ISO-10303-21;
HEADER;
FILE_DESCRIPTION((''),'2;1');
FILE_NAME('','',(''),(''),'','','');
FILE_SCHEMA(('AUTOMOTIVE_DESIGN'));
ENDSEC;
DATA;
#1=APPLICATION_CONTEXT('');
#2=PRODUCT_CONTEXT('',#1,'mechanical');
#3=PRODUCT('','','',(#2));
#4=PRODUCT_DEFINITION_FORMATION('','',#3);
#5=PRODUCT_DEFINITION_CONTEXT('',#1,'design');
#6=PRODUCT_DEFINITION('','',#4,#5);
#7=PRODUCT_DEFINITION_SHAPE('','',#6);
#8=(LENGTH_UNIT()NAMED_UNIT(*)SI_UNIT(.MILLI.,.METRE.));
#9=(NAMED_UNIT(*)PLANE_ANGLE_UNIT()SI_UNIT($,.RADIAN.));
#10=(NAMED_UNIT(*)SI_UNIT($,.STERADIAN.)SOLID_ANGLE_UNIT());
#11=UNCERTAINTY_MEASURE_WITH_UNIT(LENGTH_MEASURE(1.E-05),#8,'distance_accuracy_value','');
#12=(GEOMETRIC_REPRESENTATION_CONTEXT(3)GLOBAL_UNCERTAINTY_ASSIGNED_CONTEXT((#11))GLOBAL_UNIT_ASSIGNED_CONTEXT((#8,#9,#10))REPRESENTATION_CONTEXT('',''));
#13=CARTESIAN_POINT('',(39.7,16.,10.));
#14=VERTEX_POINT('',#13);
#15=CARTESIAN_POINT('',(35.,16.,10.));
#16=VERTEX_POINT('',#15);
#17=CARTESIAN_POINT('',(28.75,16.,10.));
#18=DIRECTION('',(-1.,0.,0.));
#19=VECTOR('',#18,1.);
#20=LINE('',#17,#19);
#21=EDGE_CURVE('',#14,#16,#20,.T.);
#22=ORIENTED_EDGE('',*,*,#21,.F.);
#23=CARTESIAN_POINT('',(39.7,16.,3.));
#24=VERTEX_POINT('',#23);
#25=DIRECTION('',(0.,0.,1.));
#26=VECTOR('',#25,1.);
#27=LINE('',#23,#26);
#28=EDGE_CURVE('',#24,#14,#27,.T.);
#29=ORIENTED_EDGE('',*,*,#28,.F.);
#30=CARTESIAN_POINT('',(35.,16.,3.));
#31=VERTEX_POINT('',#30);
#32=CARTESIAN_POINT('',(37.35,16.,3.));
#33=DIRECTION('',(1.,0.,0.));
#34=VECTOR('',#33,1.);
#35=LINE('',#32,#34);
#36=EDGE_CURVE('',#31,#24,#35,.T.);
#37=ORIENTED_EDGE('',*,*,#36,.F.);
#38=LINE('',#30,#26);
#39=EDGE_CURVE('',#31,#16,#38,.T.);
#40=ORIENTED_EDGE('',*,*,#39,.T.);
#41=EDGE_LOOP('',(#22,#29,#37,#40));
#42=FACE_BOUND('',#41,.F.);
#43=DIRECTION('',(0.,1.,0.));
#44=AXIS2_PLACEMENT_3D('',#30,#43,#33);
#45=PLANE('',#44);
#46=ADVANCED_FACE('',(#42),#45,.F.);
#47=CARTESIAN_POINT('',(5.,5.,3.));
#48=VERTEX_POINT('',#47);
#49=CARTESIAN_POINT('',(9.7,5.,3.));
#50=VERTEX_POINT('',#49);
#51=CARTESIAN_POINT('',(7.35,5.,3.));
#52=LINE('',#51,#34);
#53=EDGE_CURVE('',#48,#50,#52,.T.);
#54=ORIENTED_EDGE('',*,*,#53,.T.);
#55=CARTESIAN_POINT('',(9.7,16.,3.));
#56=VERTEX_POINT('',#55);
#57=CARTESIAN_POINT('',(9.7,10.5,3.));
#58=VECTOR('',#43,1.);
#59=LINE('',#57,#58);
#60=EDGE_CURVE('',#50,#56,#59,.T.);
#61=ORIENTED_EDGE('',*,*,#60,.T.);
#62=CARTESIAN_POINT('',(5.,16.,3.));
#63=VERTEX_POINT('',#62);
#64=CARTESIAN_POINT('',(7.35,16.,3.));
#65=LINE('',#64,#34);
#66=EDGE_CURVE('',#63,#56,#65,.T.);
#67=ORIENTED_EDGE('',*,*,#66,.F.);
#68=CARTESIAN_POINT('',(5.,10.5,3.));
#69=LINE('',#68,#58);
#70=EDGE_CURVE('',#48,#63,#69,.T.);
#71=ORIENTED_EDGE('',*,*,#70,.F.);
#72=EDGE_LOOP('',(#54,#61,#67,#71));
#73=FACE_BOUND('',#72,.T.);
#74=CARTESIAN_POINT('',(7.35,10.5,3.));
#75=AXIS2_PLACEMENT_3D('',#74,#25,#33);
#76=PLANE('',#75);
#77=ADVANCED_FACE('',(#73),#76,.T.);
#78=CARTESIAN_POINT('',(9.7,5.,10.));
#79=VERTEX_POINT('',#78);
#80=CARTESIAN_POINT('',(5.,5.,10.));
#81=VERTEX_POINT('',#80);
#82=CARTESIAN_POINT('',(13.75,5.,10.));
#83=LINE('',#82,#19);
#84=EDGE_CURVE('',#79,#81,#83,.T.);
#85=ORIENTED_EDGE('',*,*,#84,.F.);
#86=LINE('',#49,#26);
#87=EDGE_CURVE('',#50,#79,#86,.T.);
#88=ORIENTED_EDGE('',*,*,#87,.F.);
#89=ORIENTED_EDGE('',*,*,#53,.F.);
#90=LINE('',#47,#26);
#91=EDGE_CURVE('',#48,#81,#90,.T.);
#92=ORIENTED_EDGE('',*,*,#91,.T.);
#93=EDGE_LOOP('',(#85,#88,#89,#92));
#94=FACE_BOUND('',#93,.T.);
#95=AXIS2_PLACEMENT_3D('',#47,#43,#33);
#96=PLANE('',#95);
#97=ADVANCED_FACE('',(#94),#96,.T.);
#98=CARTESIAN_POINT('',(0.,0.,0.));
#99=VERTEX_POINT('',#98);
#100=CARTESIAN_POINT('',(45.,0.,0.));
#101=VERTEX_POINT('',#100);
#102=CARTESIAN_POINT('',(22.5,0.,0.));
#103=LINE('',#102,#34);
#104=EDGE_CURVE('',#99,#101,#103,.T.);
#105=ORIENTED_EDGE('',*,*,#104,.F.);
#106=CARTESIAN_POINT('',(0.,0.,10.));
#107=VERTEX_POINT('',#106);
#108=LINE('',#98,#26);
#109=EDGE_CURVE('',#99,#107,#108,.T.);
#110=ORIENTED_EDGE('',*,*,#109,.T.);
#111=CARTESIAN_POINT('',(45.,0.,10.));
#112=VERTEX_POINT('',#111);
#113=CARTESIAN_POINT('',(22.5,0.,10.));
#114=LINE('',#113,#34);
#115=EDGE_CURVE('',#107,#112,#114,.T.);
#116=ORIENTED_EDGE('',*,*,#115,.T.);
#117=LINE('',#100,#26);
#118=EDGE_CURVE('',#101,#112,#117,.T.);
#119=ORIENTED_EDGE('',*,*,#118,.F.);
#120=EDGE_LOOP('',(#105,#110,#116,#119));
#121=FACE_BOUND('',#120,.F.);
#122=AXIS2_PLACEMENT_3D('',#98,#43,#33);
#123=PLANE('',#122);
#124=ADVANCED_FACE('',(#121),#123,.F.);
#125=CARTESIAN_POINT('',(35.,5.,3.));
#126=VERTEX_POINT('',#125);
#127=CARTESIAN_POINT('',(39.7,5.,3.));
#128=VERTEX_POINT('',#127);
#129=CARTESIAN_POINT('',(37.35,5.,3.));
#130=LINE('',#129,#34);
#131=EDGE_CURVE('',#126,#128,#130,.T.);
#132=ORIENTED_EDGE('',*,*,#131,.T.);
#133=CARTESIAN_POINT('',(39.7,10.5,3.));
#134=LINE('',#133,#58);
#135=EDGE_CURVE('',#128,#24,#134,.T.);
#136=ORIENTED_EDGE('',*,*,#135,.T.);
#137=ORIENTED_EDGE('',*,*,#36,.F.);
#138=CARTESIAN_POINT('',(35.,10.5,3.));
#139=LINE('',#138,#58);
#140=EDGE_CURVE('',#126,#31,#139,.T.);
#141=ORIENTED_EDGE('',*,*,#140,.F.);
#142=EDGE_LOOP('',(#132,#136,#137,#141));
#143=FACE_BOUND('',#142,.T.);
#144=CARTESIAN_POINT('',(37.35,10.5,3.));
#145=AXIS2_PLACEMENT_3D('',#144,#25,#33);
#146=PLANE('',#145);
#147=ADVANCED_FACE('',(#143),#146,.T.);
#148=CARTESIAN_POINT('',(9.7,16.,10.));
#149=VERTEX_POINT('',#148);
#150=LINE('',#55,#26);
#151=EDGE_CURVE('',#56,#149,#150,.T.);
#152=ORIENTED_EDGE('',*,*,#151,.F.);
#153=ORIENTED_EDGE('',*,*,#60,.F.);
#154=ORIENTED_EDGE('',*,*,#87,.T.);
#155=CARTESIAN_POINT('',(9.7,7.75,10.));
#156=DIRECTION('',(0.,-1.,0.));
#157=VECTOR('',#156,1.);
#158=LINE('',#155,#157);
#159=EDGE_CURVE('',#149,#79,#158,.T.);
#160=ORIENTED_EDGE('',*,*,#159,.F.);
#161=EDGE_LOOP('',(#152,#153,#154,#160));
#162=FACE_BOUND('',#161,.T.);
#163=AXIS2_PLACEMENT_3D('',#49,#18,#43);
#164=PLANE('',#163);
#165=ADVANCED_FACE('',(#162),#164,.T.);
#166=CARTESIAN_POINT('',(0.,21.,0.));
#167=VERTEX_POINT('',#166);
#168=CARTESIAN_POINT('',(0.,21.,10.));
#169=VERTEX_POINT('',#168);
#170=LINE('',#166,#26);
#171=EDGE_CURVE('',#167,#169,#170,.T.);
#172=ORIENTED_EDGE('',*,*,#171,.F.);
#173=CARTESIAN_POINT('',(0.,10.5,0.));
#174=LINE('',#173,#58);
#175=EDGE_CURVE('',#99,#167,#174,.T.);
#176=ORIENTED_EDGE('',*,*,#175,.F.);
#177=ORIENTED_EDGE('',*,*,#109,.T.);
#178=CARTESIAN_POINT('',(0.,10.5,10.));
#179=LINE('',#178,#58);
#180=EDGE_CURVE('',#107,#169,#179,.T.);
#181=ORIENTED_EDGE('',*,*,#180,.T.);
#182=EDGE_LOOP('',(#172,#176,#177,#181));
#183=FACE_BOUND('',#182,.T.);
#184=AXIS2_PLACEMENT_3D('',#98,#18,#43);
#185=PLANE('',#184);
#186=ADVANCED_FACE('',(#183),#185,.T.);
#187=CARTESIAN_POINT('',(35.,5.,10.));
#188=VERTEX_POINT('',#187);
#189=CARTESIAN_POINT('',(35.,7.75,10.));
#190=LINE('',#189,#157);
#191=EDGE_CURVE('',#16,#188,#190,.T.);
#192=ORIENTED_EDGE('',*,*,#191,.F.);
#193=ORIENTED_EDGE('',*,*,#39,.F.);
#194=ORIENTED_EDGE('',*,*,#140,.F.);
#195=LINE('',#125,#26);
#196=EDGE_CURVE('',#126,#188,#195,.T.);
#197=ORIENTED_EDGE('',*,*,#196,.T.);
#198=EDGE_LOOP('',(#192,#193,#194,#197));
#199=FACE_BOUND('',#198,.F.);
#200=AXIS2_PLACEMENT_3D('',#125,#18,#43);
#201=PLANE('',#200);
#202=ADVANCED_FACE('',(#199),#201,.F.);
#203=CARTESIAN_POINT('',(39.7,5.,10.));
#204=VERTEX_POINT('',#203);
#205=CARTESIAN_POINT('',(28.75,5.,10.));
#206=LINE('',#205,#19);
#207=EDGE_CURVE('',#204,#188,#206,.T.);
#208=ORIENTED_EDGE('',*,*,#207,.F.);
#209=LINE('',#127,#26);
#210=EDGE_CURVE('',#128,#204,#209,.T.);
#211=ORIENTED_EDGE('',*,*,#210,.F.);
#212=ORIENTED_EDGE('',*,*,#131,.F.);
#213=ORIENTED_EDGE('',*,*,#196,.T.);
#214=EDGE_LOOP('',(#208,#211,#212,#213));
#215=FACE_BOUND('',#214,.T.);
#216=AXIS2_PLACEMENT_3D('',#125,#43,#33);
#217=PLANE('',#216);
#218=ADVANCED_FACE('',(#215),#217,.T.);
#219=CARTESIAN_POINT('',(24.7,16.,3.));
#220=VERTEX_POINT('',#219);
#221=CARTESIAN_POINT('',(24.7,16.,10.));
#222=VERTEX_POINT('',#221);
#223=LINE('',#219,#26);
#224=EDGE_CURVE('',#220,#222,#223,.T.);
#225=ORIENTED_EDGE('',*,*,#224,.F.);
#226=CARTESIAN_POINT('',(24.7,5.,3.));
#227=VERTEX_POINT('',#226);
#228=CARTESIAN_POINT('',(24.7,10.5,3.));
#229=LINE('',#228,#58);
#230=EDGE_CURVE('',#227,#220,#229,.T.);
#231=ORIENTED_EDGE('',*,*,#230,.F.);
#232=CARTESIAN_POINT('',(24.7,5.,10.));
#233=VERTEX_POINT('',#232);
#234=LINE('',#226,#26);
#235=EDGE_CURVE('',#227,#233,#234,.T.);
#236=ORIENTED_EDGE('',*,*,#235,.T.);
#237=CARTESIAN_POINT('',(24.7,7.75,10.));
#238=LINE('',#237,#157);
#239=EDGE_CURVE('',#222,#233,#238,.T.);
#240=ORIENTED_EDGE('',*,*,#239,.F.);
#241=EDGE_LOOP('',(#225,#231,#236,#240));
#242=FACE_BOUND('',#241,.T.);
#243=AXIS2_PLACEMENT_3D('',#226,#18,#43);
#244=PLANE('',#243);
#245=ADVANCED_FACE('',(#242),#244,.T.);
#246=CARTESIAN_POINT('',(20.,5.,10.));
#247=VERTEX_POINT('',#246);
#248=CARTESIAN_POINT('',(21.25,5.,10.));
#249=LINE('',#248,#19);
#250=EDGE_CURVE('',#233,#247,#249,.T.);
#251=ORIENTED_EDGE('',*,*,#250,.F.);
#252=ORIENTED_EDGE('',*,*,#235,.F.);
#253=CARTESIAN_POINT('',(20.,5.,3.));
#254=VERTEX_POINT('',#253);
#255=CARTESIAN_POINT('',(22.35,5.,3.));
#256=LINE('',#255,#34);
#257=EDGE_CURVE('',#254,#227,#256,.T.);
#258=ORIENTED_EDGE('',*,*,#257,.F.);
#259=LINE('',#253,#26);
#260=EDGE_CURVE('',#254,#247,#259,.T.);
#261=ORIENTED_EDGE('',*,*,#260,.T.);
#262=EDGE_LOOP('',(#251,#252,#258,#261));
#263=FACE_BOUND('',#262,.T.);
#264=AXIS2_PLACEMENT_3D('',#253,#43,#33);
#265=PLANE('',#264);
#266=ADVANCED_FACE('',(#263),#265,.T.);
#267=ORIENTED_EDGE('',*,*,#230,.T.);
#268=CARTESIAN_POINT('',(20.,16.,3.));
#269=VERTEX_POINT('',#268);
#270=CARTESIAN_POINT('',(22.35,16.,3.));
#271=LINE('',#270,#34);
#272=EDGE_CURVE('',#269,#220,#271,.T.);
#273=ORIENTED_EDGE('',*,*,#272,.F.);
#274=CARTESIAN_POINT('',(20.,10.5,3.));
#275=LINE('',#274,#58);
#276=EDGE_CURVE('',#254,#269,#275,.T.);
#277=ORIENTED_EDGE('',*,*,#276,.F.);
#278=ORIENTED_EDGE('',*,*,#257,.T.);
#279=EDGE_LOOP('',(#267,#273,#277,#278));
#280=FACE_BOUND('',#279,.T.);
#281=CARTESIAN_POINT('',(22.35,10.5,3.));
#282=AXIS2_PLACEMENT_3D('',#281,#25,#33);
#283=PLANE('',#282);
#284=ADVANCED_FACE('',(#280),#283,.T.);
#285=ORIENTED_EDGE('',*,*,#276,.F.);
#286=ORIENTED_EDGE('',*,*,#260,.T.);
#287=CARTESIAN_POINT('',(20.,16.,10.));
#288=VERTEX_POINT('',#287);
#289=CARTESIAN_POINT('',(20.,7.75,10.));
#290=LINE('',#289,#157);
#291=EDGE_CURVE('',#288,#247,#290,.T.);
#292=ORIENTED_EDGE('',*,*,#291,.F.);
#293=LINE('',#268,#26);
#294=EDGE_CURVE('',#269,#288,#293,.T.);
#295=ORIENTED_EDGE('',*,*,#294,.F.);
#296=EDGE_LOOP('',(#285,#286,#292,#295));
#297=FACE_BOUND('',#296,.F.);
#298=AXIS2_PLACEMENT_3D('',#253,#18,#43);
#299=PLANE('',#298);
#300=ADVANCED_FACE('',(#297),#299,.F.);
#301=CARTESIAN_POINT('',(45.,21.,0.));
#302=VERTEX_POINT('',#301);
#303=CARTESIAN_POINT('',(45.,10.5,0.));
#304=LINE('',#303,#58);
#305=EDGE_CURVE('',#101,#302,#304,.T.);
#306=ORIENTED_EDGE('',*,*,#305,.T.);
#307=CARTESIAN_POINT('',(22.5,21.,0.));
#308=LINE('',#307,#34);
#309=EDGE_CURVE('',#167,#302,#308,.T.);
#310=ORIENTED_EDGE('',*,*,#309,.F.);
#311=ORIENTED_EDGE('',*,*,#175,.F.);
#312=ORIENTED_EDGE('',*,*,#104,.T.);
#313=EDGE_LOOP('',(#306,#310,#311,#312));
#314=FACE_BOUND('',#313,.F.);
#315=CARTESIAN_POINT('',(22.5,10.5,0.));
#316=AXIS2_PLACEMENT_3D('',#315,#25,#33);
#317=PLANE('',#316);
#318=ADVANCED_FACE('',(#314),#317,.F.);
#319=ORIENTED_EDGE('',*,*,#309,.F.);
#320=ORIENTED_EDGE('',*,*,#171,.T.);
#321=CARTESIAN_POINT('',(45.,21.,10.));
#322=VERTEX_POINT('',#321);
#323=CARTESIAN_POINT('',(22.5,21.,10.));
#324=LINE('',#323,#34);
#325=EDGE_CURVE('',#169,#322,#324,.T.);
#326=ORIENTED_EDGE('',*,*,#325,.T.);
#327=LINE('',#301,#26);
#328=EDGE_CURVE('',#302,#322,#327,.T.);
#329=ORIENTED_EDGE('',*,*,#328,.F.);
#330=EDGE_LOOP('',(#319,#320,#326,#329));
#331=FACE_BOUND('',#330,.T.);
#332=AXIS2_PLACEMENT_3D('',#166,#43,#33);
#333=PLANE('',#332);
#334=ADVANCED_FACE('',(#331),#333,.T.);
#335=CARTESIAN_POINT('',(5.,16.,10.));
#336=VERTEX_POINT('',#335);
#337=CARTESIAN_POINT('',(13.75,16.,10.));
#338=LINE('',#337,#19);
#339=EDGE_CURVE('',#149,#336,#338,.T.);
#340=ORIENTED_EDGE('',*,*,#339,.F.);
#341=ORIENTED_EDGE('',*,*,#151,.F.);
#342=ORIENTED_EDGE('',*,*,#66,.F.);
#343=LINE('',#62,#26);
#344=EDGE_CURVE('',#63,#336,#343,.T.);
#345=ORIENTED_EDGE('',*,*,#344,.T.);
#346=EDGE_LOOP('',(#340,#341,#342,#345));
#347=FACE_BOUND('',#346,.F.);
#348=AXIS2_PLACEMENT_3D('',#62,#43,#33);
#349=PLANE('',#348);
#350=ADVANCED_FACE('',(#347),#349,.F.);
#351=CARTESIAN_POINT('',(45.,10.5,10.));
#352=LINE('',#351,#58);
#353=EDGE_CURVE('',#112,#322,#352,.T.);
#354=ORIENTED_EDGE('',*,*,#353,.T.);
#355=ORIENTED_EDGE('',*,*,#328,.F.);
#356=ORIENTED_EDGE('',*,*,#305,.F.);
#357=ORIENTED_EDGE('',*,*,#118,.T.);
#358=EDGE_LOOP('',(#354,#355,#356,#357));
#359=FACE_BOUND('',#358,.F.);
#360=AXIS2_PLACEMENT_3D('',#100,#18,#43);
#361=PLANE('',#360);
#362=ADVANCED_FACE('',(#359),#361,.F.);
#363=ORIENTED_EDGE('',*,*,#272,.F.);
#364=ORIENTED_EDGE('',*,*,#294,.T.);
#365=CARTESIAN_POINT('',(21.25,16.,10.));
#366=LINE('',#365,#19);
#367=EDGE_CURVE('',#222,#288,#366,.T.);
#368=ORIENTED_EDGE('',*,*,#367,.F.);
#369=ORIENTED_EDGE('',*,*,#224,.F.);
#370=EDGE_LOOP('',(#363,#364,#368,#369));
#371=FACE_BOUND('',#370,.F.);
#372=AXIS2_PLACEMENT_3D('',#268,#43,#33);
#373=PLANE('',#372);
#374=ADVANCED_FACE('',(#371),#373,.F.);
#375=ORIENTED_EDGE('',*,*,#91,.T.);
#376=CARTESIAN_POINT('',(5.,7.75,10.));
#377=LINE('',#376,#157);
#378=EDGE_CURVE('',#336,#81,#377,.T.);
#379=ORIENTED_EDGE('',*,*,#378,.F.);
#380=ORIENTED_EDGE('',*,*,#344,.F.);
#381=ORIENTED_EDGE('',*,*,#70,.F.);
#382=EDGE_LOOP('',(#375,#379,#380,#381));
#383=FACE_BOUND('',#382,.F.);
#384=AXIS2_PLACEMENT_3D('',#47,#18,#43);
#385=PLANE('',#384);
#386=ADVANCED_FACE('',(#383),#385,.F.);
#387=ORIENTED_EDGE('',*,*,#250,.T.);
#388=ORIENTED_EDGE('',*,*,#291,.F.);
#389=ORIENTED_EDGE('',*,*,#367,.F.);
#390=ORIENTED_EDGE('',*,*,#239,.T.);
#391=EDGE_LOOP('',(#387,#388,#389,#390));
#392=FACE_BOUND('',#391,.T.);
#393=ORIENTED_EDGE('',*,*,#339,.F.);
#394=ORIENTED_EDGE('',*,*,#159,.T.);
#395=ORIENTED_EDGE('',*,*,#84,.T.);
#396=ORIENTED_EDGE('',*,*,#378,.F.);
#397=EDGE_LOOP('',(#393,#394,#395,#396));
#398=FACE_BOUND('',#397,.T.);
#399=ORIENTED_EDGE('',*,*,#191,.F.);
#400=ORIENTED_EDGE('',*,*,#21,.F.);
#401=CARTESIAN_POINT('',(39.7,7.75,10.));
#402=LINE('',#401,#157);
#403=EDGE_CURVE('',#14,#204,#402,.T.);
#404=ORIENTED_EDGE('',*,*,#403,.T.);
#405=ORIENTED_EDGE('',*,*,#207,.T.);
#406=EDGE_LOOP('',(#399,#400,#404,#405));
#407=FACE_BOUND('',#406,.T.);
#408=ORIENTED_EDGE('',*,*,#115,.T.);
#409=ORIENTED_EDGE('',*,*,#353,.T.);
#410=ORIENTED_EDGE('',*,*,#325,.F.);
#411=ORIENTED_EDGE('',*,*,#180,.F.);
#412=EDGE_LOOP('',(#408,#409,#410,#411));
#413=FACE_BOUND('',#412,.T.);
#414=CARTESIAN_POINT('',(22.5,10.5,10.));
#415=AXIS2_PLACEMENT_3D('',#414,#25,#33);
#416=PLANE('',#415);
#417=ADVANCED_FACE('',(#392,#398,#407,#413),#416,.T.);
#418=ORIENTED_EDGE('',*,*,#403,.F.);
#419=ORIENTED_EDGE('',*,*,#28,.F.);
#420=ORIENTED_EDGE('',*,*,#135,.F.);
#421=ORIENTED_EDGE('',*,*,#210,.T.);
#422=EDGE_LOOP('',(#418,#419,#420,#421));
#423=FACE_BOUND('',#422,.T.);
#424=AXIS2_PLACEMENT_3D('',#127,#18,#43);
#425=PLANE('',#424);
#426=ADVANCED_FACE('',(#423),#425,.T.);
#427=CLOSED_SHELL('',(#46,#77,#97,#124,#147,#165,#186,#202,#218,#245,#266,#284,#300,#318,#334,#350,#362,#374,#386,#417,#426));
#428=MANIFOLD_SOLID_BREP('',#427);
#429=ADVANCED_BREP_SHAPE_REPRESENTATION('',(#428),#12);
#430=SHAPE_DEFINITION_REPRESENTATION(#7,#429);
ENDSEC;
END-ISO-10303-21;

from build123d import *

# Parameters (mm, degrees)
BOX001_W     = 4.7
BOX001_H     = 11
BOX001_DEPTH = 12
BOX_W        = 4.7
BOX_H        = 11
BOX_DEPTH    = 12
BOX002_W     = 4.7
BOX002_H     = 11
BOX002_DEPTH = 12
BOX003_W     = 45
BOX003_H     = 21
BOX003_DEPTH = 10


with BuildPart() as box001:
    # Box001 → Box001 (new body)
    with BuildSketch(Plane(origin=(15, 0, 0), x_dir=(1, 0, 0), z_dir=(0, 0, 1))):
        with Locations((2.35, 5.5)):
            Rectangle(BOX001_W, BOX001_H)
    extrude(amount=BOX001_DEPTH)


with BuildPart() as box:
    # Box → Box (new body)
    with BuildSketch(Plane.XY):
        with Locations((2.35, 5.5)):
            Rectangle(BOX_W, BOX_H)
    extrude(amount=BOX_DEPTH)


with BuildPart() as ranuras:
    # Box002 → Box002 (new body)
    with BuildSketch(Plane(origin=(30, 0, 0), x_dir=(1, 0, 0), z_dir=(0, 0, 1))):
        with Locations((2.35, 5.5)):
            Rectangle(BOX002_W, BOX002_H)
    extrude(amount=BOX002_DEPTH)

    # Fusion: union Box001, Box
    add(box001.part)
    add(box.part)


with BuildPart() as ranuras_1:
    # Fusion placement: moved
    add(ranuras.part.moved(Location((5, 5, 3))))


with BuildPart() as porta_pendrives:
    # Box003 → Box003 (new body)
    with BuildSketch(Plane.XY):
        with Locations((22.5, 10.5)):
            Rectangle(BOX003_W, BOX003_H)
    extrude(amount=BOX003_DEPTH)

    # Cut: cut Ranuras
    add(ranuras_1.part, mode=Mode.SUBTRACT)


solid = porta_pendrives.part
